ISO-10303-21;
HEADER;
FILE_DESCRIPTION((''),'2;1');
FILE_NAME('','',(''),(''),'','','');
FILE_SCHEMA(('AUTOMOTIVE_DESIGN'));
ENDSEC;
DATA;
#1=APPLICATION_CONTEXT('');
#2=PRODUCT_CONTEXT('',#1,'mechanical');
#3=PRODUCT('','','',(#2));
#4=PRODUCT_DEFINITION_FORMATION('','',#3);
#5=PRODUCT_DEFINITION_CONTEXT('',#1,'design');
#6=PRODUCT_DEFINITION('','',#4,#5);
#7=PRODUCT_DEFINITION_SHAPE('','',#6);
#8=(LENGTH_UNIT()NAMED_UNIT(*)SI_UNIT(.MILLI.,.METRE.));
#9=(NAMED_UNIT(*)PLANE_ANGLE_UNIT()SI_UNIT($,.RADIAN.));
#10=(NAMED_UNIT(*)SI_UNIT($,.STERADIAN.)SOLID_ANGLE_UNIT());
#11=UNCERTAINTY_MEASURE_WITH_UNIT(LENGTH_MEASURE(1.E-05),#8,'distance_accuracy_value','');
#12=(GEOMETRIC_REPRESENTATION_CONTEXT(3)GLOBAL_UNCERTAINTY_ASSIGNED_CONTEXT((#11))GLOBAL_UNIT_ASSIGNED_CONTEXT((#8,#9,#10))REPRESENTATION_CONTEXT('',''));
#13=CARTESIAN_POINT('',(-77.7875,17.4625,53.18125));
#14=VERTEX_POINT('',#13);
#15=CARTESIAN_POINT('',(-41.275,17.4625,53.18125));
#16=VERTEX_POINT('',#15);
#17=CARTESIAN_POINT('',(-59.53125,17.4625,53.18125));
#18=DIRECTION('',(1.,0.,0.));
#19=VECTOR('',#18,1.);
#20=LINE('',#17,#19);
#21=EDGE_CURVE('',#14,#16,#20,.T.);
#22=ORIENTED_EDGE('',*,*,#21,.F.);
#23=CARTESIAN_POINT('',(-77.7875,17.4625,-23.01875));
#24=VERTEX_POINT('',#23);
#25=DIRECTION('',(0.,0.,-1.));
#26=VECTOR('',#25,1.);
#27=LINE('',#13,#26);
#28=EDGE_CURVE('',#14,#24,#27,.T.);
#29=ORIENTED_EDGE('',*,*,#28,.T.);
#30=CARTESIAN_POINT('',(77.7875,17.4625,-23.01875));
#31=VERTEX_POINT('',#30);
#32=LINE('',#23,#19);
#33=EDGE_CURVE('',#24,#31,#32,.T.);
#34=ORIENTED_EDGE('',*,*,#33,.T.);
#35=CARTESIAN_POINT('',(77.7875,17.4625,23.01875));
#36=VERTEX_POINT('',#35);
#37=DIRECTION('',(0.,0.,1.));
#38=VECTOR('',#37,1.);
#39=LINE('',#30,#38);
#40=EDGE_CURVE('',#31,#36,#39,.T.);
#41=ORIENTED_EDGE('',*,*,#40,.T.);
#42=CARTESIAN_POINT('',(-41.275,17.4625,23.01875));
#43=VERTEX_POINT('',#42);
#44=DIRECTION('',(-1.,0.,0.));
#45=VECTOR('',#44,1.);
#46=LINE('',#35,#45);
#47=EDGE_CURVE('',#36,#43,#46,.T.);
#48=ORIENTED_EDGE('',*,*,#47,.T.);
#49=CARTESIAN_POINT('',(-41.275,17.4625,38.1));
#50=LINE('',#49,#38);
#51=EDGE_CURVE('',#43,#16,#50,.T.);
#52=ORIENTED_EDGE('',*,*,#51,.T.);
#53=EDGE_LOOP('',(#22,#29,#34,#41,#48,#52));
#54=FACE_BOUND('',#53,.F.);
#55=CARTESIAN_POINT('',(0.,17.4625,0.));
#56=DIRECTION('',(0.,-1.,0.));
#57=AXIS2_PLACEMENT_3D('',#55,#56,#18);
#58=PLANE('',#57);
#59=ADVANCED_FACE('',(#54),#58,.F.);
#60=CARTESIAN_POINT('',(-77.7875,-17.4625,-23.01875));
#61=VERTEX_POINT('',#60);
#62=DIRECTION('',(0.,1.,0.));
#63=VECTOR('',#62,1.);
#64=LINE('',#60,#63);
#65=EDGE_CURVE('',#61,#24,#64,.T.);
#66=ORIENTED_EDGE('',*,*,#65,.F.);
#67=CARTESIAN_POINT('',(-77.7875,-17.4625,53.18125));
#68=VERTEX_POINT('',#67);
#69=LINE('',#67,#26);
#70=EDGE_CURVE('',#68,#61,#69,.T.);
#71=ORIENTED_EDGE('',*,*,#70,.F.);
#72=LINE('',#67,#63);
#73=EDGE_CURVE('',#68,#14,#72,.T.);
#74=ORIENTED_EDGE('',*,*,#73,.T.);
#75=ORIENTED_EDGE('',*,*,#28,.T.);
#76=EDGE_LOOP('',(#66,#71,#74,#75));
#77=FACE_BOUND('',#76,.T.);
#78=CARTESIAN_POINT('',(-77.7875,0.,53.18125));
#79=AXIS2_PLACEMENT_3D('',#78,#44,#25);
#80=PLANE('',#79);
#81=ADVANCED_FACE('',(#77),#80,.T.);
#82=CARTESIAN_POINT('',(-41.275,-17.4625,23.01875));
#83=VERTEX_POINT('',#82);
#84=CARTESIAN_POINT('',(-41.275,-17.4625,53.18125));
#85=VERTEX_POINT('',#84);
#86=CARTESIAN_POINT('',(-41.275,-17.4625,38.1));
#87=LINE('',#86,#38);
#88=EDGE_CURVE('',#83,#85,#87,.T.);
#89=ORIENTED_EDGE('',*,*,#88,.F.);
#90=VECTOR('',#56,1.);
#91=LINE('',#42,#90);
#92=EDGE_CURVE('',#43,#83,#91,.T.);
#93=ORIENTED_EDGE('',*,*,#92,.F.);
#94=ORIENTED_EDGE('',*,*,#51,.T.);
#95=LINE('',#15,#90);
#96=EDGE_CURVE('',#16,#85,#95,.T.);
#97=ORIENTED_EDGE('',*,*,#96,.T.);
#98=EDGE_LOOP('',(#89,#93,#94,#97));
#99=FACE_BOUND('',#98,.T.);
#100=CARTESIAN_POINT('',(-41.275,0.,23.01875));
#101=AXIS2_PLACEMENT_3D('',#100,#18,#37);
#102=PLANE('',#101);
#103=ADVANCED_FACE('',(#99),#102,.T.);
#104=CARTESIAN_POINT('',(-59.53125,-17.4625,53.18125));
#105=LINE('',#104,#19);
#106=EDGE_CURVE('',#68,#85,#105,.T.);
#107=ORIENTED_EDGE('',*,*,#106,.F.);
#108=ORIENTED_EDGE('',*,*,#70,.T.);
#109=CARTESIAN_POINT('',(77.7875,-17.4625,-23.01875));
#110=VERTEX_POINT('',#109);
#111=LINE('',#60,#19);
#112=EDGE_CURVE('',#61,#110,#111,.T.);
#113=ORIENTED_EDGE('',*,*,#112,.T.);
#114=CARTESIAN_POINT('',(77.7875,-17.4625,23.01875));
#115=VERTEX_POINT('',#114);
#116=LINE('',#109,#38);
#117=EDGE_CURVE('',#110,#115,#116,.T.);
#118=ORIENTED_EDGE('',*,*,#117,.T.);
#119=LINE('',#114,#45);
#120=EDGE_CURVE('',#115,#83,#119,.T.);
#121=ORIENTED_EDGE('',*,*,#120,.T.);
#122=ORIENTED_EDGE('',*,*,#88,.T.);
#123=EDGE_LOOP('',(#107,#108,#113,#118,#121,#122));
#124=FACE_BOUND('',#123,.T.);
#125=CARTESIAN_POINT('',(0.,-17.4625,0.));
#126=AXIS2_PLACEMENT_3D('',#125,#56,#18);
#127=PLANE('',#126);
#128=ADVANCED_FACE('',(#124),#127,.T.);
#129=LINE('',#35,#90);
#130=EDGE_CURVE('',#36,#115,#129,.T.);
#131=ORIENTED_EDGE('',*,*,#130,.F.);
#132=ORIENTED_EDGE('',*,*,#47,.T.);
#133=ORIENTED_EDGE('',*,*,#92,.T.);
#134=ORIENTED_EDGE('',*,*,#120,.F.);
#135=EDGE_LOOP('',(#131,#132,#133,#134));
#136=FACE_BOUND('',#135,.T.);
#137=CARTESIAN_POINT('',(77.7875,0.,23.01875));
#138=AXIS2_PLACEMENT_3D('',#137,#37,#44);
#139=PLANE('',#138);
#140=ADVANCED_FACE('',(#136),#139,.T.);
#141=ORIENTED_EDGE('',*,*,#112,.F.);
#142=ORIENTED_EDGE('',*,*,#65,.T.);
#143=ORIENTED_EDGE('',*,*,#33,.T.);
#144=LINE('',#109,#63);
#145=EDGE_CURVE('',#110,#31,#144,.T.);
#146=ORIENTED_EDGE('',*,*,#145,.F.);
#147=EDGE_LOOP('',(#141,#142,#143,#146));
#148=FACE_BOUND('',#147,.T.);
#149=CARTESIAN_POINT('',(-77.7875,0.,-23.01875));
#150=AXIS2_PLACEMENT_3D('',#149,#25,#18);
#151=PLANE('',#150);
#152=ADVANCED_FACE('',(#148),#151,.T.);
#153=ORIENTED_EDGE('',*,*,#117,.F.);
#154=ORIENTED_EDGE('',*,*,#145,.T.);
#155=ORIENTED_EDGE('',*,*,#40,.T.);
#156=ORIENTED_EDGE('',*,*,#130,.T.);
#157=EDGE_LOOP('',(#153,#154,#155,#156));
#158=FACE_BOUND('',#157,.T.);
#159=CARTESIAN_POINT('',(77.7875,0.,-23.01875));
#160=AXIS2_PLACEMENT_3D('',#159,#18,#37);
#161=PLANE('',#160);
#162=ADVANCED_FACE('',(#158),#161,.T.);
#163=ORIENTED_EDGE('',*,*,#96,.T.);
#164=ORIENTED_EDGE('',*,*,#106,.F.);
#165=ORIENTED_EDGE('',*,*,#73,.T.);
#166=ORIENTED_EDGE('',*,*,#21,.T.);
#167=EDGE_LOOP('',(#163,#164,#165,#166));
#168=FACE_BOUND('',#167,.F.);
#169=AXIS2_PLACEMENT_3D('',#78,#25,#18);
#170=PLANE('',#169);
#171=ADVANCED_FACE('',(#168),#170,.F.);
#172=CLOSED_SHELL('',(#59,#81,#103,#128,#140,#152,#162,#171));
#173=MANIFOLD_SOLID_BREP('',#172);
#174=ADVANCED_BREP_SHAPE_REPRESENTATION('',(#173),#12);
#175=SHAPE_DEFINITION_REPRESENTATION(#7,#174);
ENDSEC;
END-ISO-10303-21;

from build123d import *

# Parameters (mm, degrees)
F0_W     = 36.5125
F0_H     = 30.1625
F1_DEPTH = 17.4625


with BuildPart() as f1:
    # F0 (on Front) → F1 (new body, symmetric)
    with BuildSketch(Plane.XZ):
        Polygon((77.7875, -23.01875), (77.7875, 23.01875), (-41.275, 23.01875), (-77.7875, 23.01875), (-77.7875, -23.01875), align=None)
        with Locations((-59.53125, 38.1)):
            Rectangle(F0_W, F0_H)
    extrude(amount=F1_DEPTH, both=True)


solid = f1.part
